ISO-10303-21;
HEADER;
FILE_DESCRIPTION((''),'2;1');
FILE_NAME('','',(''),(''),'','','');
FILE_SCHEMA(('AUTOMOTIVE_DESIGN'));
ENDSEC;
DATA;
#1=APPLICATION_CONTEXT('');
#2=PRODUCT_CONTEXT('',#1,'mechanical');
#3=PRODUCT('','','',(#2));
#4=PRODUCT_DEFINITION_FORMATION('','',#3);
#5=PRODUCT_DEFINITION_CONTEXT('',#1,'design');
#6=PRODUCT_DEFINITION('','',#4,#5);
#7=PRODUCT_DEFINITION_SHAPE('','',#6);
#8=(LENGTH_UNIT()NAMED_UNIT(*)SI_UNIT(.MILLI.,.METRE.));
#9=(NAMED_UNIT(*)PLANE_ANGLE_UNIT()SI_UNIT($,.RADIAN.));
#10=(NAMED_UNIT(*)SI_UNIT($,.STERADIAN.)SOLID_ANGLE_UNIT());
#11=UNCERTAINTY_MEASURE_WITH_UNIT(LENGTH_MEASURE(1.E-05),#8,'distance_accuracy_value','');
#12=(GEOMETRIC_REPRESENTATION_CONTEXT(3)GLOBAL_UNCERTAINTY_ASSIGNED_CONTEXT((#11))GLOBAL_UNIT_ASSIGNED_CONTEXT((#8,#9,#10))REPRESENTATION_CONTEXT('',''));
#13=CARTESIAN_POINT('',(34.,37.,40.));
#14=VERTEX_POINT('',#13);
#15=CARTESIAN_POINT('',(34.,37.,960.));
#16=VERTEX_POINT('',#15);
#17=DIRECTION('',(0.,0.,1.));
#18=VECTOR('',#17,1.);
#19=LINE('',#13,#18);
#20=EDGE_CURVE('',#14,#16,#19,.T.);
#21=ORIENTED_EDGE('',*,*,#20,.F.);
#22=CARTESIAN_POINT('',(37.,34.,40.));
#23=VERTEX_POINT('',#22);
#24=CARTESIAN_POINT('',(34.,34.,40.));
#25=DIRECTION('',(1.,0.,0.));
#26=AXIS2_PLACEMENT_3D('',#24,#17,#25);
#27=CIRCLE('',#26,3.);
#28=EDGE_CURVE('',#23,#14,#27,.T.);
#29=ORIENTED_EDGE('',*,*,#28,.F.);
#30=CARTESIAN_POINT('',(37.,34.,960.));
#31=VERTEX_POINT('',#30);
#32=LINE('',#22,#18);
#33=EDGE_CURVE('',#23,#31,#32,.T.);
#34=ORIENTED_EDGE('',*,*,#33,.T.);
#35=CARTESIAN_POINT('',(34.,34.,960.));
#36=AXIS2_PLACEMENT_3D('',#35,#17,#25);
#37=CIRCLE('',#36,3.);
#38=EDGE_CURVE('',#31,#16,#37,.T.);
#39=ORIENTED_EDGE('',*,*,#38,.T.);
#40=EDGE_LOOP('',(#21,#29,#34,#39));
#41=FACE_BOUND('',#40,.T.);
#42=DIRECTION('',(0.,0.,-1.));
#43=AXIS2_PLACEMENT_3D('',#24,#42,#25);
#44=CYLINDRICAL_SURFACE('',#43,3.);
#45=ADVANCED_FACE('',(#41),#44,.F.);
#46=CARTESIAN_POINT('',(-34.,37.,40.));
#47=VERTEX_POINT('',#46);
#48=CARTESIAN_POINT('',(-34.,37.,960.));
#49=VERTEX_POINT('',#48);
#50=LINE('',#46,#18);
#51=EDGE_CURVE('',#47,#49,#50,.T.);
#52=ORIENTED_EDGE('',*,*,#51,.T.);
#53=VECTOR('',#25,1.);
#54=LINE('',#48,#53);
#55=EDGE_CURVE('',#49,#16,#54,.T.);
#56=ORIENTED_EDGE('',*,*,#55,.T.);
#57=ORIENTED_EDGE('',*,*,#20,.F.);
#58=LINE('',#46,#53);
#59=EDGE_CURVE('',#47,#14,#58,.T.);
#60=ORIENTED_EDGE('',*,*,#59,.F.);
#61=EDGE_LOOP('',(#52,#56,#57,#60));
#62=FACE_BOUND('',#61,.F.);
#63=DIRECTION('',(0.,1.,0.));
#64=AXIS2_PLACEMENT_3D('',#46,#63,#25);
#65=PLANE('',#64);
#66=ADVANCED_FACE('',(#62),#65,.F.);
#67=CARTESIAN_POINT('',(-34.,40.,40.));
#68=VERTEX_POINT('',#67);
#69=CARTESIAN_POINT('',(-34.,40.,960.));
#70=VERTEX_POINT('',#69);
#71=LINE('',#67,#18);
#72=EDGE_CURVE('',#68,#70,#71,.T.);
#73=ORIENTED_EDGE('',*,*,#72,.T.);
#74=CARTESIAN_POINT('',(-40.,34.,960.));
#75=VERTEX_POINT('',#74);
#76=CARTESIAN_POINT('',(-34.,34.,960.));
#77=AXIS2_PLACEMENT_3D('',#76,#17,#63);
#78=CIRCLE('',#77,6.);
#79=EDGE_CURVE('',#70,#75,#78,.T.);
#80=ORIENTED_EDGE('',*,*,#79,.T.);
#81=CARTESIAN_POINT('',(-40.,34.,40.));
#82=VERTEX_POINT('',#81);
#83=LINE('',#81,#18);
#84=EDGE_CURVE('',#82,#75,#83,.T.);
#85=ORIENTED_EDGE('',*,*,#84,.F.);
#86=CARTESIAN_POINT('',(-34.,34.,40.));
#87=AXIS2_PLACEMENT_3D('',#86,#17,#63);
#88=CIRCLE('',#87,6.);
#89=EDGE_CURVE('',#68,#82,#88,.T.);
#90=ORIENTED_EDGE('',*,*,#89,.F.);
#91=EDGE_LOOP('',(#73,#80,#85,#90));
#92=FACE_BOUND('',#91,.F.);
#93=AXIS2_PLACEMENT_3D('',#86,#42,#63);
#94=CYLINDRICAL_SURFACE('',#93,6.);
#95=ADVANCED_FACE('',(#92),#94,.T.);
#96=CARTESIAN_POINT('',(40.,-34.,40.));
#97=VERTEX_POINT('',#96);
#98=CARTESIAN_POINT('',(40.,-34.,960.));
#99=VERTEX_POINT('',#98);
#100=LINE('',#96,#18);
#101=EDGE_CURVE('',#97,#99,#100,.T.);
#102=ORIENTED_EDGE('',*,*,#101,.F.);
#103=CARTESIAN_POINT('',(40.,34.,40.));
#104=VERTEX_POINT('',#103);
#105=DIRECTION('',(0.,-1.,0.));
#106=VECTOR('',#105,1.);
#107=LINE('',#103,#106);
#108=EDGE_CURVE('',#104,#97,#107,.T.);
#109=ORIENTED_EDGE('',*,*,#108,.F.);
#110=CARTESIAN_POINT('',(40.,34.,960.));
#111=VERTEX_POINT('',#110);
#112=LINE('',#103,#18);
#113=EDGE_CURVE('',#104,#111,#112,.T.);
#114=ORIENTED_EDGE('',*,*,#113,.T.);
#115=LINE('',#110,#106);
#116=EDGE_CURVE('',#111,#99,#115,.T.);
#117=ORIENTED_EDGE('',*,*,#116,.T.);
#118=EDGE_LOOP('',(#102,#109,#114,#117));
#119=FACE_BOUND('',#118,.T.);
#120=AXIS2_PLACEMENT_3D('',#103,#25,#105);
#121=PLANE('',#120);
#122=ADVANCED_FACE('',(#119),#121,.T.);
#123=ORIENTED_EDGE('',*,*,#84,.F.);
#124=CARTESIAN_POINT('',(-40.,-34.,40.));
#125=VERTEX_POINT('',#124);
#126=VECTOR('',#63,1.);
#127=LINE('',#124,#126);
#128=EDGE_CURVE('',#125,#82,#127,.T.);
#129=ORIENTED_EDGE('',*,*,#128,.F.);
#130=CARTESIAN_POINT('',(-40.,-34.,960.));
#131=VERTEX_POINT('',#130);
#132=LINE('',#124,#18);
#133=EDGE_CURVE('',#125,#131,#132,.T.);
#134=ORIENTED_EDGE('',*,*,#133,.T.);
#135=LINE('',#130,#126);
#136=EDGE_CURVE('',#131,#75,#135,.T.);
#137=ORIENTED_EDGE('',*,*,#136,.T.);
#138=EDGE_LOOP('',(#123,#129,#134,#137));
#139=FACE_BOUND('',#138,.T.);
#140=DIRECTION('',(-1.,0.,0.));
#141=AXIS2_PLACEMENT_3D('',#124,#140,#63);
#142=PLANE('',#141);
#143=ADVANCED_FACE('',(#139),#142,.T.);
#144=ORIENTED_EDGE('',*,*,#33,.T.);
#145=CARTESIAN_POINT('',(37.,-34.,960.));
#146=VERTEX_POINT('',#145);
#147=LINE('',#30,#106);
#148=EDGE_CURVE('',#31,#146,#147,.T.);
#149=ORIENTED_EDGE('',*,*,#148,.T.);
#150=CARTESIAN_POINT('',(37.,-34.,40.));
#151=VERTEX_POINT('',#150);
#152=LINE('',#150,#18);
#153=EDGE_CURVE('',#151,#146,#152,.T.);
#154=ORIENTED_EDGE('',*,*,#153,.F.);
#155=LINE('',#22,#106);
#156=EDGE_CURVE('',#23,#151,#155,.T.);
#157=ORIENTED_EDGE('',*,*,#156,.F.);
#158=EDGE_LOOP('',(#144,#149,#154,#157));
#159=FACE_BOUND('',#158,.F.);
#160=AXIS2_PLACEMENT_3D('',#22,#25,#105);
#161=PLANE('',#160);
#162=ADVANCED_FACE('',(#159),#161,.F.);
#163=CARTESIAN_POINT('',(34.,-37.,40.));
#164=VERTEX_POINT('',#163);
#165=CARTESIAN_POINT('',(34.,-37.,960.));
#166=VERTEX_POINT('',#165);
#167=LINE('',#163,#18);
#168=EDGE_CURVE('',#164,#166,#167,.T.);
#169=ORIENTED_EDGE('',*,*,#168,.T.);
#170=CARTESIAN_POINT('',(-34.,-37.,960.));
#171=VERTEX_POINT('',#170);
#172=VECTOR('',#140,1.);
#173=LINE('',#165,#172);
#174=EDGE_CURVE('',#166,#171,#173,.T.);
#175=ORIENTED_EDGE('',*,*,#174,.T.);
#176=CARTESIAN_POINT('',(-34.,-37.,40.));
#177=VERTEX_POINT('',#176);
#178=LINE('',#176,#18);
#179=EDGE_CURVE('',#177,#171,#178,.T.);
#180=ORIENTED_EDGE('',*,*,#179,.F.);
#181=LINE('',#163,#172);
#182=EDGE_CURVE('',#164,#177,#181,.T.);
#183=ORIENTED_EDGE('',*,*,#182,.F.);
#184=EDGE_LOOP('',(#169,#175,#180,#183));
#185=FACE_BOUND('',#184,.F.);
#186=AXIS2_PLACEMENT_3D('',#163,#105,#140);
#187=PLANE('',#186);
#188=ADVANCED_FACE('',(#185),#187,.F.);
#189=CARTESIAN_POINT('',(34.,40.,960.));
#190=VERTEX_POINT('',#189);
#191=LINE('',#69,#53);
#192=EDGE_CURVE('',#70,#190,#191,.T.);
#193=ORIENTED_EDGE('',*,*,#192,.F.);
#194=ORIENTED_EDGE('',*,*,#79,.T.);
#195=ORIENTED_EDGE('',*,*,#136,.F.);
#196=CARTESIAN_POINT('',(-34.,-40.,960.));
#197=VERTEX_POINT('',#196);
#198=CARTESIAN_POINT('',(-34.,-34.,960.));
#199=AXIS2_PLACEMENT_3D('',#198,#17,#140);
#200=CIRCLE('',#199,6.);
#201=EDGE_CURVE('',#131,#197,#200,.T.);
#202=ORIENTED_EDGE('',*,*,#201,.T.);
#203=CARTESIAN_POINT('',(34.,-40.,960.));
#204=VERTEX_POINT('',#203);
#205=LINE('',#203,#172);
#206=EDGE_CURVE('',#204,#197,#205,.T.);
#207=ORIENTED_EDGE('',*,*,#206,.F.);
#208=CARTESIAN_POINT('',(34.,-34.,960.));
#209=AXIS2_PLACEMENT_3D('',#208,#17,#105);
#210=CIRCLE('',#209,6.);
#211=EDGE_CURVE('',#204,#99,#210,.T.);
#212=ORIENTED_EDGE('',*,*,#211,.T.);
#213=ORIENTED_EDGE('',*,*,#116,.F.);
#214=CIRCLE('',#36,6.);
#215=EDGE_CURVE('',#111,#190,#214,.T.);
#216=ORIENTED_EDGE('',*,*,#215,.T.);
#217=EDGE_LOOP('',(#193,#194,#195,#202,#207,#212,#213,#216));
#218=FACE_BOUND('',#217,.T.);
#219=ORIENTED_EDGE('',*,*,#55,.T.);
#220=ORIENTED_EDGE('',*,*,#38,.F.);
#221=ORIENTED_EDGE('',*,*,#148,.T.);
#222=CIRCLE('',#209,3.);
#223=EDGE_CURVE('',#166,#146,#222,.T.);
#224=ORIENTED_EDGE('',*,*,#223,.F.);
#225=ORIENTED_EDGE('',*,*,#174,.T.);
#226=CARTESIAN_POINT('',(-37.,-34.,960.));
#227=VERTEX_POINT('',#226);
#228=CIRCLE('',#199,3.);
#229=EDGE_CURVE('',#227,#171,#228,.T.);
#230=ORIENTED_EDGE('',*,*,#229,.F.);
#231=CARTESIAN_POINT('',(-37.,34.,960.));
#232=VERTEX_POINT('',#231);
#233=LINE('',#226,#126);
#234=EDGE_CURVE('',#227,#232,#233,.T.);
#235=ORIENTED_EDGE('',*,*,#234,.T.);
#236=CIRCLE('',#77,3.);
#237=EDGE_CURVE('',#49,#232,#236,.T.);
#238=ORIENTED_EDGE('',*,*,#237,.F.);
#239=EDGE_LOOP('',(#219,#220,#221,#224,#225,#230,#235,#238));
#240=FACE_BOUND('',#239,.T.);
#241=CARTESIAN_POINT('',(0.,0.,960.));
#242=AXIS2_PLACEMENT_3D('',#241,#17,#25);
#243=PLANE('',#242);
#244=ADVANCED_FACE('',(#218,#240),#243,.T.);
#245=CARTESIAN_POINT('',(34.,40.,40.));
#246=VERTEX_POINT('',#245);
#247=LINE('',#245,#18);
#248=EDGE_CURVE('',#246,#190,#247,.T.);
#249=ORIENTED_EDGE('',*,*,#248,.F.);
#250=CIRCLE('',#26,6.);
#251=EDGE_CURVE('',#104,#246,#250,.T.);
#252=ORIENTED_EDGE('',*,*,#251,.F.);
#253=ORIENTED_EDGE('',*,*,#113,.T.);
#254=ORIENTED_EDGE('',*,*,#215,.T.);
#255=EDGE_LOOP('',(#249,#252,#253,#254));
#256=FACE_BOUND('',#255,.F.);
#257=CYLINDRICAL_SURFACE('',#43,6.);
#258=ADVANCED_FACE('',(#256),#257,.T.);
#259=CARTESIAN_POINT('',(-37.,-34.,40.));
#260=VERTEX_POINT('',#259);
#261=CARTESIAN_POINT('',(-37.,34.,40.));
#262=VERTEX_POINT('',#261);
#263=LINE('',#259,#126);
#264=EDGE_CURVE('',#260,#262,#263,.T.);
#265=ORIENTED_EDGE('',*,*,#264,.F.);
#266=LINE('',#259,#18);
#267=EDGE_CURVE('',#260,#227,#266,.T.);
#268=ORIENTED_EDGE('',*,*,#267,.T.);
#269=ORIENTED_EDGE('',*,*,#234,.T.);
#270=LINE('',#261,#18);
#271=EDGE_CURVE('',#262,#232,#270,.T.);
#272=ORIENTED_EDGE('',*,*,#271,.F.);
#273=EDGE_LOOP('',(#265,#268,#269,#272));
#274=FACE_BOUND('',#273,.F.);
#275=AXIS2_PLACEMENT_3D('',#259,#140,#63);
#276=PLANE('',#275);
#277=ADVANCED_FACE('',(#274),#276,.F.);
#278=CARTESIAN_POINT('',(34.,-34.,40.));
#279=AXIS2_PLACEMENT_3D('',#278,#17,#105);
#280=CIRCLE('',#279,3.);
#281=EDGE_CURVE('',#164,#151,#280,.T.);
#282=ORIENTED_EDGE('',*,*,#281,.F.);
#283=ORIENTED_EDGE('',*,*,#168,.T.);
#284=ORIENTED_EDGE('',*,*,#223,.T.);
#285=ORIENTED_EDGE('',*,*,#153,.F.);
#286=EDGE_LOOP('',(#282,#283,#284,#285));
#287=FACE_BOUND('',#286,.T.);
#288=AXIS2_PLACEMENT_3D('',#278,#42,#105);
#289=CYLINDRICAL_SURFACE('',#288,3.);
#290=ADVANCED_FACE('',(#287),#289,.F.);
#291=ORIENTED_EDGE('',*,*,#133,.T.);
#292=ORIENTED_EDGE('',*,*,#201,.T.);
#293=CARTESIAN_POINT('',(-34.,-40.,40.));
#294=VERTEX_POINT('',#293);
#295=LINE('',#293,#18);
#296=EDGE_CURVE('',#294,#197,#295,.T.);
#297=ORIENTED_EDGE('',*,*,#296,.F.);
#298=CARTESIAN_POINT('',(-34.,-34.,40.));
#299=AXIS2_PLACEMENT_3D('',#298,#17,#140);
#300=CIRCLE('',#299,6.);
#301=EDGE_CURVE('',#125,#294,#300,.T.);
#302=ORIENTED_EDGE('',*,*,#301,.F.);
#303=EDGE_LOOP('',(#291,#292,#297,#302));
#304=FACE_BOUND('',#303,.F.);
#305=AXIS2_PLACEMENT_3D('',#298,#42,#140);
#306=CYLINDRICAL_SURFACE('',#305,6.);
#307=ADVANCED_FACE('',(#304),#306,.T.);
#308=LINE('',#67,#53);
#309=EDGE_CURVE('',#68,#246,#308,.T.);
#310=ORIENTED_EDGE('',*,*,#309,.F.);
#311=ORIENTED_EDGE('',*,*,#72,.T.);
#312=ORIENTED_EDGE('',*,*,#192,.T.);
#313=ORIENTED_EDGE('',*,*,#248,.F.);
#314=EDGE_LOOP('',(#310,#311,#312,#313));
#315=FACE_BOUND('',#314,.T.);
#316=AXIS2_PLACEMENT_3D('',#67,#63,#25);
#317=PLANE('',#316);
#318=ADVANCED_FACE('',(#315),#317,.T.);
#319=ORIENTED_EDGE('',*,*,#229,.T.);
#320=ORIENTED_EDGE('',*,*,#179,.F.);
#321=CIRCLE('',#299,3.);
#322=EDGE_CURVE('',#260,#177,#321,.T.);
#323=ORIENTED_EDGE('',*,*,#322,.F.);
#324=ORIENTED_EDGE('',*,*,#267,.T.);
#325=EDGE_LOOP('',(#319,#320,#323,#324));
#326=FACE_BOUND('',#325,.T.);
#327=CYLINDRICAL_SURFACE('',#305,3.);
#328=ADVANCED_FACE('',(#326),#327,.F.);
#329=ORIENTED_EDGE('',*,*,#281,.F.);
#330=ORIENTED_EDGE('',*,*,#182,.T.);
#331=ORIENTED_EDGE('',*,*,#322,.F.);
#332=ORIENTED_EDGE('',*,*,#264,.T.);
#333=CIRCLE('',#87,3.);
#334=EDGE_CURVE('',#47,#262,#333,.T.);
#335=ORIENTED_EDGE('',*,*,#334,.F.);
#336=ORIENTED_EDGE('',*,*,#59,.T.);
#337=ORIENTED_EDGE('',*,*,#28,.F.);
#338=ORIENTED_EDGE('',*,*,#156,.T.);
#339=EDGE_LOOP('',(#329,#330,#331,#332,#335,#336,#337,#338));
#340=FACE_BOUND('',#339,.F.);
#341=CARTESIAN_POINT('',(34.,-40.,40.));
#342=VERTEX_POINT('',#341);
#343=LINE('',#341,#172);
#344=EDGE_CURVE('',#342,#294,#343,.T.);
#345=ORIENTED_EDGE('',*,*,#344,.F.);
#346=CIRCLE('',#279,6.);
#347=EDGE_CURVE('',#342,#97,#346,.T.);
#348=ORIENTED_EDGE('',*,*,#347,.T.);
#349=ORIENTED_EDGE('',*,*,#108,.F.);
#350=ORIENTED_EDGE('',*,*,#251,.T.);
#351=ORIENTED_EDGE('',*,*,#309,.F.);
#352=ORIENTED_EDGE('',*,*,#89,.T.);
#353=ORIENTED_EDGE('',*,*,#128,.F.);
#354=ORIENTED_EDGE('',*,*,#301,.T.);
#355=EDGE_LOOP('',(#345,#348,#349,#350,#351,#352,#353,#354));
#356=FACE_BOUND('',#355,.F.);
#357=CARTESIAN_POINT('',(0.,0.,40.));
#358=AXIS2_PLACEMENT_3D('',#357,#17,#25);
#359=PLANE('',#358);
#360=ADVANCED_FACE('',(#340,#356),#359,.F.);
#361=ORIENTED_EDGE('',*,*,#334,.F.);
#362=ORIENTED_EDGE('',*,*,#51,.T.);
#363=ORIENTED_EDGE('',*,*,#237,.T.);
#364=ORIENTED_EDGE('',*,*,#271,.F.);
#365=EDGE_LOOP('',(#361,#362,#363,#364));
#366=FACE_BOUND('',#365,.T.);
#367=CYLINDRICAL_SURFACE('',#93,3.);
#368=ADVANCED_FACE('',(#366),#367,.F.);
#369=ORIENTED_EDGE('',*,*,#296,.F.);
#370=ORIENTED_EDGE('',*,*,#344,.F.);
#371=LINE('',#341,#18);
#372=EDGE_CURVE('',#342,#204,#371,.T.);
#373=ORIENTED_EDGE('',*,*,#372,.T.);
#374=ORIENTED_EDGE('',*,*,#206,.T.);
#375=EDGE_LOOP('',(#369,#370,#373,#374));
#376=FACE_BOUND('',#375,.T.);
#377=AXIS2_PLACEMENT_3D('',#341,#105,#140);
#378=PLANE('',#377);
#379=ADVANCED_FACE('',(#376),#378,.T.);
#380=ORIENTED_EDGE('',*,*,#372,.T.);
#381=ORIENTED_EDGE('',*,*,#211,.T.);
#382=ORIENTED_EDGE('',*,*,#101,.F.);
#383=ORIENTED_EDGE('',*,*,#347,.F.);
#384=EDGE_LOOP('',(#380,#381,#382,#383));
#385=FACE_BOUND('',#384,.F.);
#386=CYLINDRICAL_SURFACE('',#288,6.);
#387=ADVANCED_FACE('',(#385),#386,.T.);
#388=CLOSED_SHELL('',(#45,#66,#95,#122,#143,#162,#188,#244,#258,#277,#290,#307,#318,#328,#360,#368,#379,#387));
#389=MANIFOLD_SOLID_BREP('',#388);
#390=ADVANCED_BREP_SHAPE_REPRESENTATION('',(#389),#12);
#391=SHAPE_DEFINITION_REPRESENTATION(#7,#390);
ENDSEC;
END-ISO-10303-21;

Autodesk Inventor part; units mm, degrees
ref_plane "YZ Plane" through (0, 0, 0) normal (1, 0, 0) x (0, 1, 0)
ref_plane "Start Plane" through (0, 0, 40) normal (0, 0, 1) x (1, 0, 0)
ref_plane "End Plane" through (0, 0, 960) normal (0, 0, 1) x (1, 0, 0)
sketch "Sketch" plane through (0, 0, 0) normal (0, 0, 1) x (1, 0, 0)
  line L0 (-40, -34) -> (-40, 34)
  line L1 (-34, 40) -> (34, 40)
  line L2 (40, 34) -> (40, -34)
  line L3 (34, -40) -> (-34, -40)
  arc A0 (-40, -34) -> (-34, -40) centre (-34, -34) ccw
  arc A1 (40, 34) -> (34, 40) centre (34, 34) ccw
  arc A2 (-34, 40) -> (-40, 34) centre (-34, 34) ccw
  arc A3 (34, -40) -> (40, -34) centre (34, -34) ccw
  arc A4 (-34, 37) -> (-37, 34) centre (-34, 34) ccw
  line L4 (-34, 37) -> (34, 37)
  arc A5 (37, 34) -> (34, 37) centre (34, 34) ccw
  line L5 (37, 34) -> (37, -34)
  arc A6 (34, -37) -> (37, -34) centre (34, -34) ccw
  line L6 (34, -37) -> (-34, -37)
  arc A7 (-37, -34) -> (-34, -37) centre (-34, -34) ccw
  line L7 (-37, -34) -> (-37, 34)
  line L8 (0, 57.7397) -> (0, -57.7397) construction
  line L9 (-57.7397, 0) -> (57.7397, 0) construction
  dimension "d7" = 6
  dimension "d9" = 80
  dimension "d11" = 80
  dimension "d12" = 3
  dimension "d15" = 40
  dimension "d16" = 40
extrude "Body" add sketch "Sketch" along normal up to surface (920 mm away) from surface at 40
sketch "Sketch3" plane through (0, 0, 0) normal (0, 0, 1) x (1, 0, 0)
  line L0 (0, 0) -> (10, 0)
ref_plane "Work Plane3" through (0, 0, 0) normal (0, -1, 0) x (1, 0, 0)
sketch "Sketch4" plane through (0, 0, 0) normal (0, -1, 0) x (1, 0, 0)
  line L0 (-2, 40) -> (12, 40) projected
  line L1 (-2, 960) -> (12, 960) projected
  dimension "d18" = 920
equation "\"d7\" = G_IR"
equation "\"d9\" = G_W"
equation "\"d11\" = G_H"
equation "\"d12\" = G_T"
equation "\"d15\" = 0.5 * d9"
equation "\"d16\" = 0.5 * d11"
equation "\"d3\" = G_L"
equation "\"G_W\" = 80"
equation "\"G_H\" = 80"
equation "\"G_T\" = 3"
equation "\"G_IR\" = 6"
equation "\"G_L\" = d18"
properties part number "ISO 4019 - 80x80x3 - 920" material "Steel, Mild"
